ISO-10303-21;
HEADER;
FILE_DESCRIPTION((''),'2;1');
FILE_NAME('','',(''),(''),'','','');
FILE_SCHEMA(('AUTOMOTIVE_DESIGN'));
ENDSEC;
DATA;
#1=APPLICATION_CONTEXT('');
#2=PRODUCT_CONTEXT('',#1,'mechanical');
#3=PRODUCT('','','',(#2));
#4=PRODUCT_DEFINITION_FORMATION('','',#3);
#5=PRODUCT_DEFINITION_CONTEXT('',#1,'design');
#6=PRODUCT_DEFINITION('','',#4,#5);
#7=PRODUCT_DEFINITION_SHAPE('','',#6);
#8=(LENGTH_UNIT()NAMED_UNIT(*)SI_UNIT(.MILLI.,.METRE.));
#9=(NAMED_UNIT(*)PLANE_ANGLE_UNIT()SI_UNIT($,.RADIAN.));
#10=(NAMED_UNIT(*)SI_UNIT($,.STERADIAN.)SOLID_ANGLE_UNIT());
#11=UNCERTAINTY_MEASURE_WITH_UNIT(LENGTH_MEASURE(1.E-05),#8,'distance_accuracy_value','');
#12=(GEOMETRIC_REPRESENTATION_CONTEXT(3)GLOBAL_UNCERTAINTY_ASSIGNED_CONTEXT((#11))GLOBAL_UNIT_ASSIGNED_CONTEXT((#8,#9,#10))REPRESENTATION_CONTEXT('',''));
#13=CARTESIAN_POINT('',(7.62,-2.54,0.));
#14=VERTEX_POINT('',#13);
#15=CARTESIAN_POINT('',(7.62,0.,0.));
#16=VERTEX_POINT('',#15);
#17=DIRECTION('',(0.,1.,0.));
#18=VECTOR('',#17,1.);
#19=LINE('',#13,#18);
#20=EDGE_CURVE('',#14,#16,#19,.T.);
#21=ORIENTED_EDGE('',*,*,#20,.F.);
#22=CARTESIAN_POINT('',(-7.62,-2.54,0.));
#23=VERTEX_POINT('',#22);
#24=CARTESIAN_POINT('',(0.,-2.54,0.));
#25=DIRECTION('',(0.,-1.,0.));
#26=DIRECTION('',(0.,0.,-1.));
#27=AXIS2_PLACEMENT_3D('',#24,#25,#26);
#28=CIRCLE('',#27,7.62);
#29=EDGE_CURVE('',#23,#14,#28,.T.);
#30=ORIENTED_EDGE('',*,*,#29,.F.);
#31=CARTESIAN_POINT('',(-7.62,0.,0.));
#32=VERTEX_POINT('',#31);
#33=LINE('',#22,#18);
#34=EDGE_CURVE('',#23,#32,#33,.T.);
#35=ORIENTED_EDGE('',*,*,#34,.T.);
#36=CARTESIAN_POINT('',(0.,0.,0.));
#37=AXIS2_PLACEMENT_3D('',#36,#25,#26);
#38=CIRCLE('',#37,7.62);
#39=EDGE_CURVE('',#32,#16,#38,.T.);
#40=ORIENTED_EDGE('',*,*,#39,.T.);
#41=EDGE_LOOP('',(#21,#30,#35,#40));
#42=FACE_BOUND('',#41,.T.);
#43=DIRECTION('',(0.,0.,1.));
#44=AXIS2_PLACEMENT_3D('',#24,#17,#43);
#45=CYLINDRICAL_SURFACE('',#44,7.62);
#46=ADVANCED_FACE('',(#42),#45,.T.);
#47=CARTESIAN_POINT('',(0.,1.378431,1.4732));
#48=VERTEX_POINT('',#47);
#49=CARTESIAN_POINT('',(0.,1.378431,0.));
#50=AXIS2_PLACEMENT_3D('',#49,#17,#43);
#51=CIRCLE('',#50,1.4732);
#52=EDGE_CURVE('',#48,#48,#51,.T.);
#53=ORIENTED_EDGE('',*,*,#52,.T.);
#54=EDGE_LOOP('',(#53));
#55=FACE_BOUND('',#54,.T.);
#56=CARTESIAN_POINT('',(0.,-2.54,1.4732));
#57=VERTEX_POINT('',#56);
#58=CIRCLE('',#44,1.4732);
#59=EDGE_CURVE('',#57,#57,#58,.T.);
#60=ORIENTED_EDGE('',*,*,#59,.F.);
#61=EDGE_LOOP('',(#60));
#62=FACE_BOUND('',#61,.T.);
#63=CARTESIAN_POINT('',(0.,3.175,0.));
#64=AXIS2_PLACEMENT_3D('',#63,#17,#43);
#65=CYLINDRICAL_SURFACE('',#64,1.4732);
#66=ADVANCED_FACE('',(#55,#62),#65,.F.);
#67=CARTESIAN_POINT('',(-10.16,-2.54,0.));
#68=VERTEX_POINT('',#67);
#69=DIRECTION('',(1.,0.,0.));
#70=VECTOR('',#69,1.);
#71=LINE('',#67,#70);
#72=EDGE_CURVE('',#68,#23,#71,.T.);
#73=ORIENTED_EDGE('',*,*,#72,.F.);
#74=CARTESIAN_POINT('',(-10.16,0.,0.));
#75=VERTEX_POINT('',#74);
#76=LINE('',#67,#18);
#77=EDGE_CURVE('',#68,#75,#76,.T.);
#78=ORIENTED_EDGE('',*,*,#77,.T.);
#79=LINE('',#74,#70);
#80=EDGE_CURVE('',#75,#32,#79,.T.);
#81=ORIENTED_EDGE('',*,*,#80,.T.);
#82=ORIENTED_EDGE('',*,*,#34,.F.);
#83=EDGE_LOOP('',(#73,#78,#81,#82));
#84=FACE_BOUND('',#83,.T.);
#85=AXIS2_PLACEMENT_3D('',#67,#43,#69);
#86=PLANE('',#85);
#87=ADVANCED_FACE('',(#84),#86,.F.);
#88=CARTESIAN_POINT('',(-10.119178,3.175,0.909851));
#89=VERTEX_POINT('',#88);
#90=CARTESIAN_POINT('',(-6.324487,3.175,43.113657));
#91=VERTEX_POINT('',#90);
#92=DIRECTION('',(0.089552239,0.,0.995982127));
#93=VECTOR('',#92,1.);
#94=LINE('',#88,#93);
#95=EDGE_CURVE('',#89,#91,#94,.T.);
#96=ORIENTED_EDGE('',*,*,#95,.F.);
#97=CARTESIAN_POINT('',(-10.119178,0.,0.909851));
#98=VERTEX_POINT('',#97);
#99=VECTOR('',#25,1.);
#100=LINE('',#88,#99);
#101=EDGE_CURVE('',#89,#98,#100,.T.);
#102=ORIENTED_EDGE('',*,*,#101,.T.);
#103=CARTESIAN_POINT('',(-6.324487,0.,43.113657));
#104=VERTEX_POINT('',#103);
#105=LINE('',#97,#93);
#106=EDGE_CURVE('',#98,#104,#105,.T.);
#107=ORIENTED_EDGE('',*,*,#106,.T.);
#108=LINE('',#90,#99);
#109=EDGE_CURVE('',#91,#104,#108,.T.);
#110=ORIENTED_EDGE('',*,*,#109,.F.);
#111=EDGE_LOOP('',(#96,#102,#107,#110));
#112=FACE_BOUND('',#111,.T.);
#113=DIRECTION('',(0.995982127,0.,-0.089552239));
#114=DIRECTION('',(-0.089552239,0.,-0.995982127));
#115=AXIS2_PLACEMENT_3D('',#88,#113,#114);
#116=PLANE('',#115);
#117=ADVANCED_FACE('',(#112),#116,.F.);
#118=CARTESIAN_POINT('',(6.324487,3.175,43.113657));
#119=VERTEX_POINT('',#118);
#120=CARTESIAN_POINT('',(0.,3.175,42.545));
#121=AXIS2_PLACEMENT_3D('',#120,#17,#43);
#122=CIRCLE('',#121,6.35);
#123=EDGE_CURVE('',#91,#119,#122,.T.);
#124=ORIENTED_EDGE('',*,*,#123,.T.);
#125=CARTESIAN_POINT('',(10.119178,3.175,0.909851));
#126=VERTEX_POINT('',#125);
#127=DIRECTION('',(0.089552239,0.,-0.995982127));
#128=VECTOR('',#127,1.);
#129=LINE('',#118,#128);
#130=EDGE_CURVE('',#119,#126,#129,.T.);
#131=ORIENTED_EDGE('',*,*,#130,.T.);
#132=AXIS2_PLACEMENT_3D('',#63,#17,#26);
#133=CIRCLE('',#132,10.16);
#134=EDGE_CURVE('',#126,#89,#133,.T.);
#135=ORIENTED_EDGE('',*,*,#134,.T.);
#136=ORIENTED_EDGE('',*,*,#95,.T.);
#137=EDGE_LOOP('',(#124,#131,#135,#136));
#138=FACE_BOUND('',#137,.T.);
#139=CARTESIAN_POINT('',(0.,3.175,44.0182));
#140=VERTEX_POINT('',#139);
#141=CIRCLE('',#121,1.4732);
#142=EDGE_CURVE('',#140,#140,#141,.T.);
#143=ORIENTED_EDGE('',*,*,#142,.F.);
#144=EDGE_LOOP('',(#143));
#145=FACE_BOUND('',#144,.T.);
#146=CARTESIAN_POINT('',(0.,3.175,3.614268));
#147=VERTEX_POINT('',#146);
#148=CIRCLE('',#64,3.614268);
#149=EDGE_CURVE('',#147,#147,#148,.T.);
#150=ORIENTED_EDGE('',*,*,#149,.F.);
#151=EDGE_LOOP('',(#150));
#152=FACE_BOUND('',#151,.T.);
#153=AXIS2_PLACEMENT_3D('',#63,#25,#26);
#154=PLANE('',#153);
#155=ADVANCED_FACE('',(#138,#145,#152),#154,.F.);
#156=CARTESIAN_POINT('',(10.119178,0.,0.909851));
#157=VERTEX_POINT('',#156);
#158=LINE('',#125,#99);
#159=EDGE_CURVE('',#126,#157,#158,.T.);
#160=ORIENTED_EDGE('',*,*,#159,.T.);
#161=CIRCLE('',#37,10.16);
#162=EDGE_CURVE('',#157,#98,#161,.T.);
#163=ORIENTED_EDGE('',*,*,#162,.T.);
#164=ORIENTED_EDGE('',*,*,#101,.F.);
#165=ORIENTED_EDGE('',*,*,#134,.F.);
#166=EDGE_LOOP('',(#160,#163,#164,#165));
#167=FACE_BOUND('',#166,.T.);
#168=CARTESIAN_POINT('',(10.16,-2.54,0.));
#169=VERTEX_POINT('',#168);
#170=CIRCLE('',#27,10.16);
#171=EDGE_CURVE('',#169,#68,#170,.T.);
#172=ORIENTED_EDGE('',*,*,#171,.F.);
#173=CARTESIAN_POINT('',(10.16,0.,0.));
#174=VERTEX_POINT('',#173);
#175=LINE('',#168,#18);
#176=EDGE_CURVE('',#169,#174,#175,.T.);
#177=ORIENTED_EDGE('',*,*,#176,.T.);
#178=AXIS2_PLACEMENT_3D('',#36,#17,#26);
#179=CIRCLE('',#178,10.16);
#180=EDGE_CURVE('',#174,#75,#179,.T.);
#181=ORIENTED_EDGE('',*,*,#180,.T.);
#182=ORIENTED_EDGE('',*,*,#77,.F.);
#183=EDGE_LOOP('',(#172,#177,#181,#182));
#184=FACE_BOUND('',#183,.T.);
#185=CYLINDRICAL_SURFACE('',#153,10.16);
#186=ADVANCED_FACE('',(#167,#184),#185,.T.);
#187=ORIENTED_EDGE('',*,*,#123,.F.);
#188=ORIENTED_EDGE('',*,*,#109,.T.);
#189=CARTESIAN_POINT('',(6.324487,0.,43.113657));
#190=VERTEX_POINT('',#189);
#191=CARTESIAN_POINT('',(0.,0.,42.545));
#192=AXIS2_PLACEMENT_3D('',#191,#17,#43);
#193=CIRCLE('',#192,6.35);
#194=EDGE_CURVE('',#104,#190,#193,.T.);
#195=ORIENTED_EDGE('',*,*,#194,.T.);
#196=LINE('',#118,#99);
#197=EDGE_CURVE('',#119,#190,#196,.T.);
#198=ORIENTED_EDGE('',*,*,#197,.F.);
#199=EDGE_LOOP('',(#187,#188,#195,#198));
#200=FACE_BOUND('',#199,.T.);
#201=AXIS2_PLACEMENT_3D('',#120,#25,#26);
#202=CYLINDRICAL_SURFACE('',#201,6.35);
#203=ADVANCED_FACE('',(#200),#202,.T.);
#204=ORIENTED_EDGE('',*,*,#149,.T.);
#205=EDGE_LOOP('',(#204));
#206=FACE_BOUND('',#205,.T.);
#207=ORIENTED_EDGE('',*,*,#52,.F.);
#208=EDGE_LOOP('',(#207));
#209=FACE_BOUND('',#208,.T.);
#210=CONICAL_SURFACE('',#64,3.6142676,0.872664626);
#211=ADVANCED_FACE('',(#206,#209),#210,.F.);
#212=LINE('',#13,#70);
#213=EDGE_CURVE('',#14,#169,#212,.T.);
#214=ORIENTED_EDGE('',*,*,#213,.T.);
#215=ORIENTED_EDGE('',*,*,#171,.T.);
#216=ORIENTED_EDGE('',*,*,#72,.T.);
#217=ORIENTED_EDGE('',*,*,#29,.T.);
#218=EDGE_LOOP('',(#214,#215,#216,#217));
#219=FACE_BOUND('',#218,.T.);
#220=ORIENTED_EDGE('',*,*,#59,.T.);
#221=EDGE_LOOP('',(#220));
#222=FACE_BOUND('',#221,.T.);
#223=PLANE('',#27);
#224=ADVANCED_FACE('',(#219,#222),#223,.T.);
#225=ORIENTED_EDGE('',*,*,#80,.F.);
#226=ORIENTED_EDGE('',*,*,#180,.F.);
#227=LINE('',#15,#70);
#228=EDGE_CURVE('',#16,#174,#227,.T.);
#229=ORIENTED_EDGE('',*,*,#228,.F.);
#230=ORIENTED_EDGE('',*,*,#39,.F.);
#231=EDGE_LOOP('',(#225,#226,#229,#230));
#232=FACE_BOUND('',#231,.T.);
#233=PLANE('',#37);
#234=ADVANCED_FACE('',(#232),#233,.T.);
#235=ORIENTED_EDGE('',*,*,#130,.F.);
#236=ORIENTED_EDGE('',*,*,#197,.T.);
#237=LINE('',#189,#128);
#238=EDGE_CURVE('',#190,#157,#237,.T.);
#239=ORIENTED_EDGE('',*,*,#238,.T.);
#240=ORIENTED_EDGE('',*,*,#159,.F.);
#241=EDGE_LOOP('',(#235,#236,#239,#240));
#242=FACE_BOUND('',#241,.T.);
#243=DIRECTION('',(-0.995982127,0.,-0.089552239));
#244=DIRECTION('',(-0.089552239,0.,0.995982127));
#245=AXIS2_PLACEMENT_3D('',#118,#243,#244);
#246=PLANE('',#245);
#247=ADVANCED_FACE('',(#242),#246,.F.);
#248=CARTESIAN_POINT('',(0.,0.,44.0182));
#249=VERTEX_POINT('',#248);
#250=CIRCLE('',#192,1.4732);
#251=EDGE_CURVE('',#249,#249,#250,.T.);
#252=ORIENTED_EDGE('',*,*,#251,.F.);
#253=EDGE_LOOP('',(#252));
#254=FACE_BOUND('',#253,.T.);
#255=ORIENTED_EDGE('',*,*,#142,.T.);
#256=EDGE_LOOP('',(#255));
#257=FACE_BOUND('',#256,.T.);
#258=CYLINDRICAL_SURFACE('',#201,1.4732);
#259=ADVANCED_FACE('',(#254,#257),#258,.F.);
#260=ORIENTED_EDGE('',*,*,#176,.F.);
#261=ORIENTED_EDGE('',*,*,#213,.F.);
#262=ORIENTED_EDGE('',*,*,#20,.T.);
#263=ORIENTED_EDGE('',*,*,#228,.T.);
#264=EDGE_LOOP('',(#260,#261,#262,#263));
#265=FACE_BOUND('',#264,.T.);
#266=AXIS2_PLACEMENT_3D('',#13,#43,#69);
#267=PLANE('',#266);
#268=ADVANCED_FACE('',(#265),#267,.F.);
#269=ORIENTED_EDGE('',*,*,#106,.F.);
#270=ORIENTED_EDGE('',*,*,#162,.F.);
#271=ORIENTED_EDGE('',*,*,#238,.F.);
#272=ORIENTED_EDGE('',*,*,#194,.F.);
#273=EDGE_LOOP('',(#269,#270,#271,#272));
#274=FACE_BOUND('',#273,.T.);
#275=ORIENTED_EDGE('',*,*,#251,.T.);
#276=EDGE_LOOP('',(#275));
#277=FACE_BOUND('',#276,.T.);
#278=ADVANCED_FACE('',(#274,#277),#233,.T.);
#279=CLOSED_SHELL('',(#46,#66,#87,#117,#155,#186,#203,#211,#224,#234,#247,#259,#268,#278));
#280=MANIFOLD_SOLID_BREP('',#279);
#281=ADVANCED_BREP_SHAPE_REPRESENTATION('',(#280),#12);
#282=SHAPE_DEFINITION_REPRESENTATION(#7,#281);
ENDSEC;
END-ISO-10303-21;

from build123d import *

# Parameters (mm, degrees)
SKETCH1_R                                         = 1.4732
BOSS_EXTRUDE1_DEPTH                               = 3.175
BOSS_EXTRUDE2_START                               = 2.54
BOSS_EXTRUDE2_DEPTH                               = 2.54
CSK_FOR_4_FLAT_HEAD_MACHINE_SCREW_100_D           = 2.9464
CSK_FOR_4_FLAT_HEAD_MACHINE_SCREW_100_CSINK_D     = 7.2285352
CSK_FOR_4_FLAT_HEAD_MACHINE_SCREW_100_CSINK_ANGLE = 100


with BuildPart() as part:
    # Sketch1 → Boss-Extrude1 (new body)
    with BuildSketch(Plane(origin=(0, 0, 0), x_dir=(1, 0, 0), z_dir=(0, 1, 0))):
        with BuildLine():
            Line((-10.119178406, -0.909850746), (-6.324486504, -43.113656716))
            ThreePointArc((-6.324486504, -43.113656716), (0, -48.895), (6.324486504, -43.113656716))
            Line((6.324486504, -43.113656716), (10.119178406, -0.909850746))
            ThreePointArc((10.119178406, -0.909850746), (0, 10.16), (-10.119178406, -0.909850746))
        make_face()
        with Locations(Location((0, -42.545, 0), (0, 0, 270))):
            Circle(SKETCH1_R, mode=Mode.SUBTRACT)
    extrude(amount=BOSS_EXTRUDE1_DEPTH)

    # Sketch2 → Boss-Extrude2 (add)
    with BuildSketch(Plane.XZ.offset(BOSS_EXTRUDE2_START)):
        with BuildLine():
            Line((7.62, 0), (10.16, 0))
            ThreePointArc((10.16, 0), (0, 10.16), (-10.16, 0))
            Line((-10.16, 0), (-7.62, 0))
            ThreePointArc((-7.62, 0), (0, -7.62), (7.62, 0))
        make_face()
    extrude(amount=-BOSS_EXTRUDE2_DEPTH)

    # CSK for #4 Flat Head Machine Screw (100)1 (through all)
    with Locations(Plane(origin=(0, 3.175, 0), x_dir=(1, 0, 0), z_dir=(0, 1, 0))):
        with Locations((0, 0)):
            CounterSinkHole(CSK_FOR_4_FLAT_HEAD_MACHINE_SCREW_100_D / 2, CSK_FOR_4_FLAT_HEAD_MACHINE_SCREW_100_CSINK_D / 2, counter_sink_angle=CSK_FOR_4_FLAT_HEAD_MACHINE_SCREW_100_CSINK_ANGLE)


solid = part.part
